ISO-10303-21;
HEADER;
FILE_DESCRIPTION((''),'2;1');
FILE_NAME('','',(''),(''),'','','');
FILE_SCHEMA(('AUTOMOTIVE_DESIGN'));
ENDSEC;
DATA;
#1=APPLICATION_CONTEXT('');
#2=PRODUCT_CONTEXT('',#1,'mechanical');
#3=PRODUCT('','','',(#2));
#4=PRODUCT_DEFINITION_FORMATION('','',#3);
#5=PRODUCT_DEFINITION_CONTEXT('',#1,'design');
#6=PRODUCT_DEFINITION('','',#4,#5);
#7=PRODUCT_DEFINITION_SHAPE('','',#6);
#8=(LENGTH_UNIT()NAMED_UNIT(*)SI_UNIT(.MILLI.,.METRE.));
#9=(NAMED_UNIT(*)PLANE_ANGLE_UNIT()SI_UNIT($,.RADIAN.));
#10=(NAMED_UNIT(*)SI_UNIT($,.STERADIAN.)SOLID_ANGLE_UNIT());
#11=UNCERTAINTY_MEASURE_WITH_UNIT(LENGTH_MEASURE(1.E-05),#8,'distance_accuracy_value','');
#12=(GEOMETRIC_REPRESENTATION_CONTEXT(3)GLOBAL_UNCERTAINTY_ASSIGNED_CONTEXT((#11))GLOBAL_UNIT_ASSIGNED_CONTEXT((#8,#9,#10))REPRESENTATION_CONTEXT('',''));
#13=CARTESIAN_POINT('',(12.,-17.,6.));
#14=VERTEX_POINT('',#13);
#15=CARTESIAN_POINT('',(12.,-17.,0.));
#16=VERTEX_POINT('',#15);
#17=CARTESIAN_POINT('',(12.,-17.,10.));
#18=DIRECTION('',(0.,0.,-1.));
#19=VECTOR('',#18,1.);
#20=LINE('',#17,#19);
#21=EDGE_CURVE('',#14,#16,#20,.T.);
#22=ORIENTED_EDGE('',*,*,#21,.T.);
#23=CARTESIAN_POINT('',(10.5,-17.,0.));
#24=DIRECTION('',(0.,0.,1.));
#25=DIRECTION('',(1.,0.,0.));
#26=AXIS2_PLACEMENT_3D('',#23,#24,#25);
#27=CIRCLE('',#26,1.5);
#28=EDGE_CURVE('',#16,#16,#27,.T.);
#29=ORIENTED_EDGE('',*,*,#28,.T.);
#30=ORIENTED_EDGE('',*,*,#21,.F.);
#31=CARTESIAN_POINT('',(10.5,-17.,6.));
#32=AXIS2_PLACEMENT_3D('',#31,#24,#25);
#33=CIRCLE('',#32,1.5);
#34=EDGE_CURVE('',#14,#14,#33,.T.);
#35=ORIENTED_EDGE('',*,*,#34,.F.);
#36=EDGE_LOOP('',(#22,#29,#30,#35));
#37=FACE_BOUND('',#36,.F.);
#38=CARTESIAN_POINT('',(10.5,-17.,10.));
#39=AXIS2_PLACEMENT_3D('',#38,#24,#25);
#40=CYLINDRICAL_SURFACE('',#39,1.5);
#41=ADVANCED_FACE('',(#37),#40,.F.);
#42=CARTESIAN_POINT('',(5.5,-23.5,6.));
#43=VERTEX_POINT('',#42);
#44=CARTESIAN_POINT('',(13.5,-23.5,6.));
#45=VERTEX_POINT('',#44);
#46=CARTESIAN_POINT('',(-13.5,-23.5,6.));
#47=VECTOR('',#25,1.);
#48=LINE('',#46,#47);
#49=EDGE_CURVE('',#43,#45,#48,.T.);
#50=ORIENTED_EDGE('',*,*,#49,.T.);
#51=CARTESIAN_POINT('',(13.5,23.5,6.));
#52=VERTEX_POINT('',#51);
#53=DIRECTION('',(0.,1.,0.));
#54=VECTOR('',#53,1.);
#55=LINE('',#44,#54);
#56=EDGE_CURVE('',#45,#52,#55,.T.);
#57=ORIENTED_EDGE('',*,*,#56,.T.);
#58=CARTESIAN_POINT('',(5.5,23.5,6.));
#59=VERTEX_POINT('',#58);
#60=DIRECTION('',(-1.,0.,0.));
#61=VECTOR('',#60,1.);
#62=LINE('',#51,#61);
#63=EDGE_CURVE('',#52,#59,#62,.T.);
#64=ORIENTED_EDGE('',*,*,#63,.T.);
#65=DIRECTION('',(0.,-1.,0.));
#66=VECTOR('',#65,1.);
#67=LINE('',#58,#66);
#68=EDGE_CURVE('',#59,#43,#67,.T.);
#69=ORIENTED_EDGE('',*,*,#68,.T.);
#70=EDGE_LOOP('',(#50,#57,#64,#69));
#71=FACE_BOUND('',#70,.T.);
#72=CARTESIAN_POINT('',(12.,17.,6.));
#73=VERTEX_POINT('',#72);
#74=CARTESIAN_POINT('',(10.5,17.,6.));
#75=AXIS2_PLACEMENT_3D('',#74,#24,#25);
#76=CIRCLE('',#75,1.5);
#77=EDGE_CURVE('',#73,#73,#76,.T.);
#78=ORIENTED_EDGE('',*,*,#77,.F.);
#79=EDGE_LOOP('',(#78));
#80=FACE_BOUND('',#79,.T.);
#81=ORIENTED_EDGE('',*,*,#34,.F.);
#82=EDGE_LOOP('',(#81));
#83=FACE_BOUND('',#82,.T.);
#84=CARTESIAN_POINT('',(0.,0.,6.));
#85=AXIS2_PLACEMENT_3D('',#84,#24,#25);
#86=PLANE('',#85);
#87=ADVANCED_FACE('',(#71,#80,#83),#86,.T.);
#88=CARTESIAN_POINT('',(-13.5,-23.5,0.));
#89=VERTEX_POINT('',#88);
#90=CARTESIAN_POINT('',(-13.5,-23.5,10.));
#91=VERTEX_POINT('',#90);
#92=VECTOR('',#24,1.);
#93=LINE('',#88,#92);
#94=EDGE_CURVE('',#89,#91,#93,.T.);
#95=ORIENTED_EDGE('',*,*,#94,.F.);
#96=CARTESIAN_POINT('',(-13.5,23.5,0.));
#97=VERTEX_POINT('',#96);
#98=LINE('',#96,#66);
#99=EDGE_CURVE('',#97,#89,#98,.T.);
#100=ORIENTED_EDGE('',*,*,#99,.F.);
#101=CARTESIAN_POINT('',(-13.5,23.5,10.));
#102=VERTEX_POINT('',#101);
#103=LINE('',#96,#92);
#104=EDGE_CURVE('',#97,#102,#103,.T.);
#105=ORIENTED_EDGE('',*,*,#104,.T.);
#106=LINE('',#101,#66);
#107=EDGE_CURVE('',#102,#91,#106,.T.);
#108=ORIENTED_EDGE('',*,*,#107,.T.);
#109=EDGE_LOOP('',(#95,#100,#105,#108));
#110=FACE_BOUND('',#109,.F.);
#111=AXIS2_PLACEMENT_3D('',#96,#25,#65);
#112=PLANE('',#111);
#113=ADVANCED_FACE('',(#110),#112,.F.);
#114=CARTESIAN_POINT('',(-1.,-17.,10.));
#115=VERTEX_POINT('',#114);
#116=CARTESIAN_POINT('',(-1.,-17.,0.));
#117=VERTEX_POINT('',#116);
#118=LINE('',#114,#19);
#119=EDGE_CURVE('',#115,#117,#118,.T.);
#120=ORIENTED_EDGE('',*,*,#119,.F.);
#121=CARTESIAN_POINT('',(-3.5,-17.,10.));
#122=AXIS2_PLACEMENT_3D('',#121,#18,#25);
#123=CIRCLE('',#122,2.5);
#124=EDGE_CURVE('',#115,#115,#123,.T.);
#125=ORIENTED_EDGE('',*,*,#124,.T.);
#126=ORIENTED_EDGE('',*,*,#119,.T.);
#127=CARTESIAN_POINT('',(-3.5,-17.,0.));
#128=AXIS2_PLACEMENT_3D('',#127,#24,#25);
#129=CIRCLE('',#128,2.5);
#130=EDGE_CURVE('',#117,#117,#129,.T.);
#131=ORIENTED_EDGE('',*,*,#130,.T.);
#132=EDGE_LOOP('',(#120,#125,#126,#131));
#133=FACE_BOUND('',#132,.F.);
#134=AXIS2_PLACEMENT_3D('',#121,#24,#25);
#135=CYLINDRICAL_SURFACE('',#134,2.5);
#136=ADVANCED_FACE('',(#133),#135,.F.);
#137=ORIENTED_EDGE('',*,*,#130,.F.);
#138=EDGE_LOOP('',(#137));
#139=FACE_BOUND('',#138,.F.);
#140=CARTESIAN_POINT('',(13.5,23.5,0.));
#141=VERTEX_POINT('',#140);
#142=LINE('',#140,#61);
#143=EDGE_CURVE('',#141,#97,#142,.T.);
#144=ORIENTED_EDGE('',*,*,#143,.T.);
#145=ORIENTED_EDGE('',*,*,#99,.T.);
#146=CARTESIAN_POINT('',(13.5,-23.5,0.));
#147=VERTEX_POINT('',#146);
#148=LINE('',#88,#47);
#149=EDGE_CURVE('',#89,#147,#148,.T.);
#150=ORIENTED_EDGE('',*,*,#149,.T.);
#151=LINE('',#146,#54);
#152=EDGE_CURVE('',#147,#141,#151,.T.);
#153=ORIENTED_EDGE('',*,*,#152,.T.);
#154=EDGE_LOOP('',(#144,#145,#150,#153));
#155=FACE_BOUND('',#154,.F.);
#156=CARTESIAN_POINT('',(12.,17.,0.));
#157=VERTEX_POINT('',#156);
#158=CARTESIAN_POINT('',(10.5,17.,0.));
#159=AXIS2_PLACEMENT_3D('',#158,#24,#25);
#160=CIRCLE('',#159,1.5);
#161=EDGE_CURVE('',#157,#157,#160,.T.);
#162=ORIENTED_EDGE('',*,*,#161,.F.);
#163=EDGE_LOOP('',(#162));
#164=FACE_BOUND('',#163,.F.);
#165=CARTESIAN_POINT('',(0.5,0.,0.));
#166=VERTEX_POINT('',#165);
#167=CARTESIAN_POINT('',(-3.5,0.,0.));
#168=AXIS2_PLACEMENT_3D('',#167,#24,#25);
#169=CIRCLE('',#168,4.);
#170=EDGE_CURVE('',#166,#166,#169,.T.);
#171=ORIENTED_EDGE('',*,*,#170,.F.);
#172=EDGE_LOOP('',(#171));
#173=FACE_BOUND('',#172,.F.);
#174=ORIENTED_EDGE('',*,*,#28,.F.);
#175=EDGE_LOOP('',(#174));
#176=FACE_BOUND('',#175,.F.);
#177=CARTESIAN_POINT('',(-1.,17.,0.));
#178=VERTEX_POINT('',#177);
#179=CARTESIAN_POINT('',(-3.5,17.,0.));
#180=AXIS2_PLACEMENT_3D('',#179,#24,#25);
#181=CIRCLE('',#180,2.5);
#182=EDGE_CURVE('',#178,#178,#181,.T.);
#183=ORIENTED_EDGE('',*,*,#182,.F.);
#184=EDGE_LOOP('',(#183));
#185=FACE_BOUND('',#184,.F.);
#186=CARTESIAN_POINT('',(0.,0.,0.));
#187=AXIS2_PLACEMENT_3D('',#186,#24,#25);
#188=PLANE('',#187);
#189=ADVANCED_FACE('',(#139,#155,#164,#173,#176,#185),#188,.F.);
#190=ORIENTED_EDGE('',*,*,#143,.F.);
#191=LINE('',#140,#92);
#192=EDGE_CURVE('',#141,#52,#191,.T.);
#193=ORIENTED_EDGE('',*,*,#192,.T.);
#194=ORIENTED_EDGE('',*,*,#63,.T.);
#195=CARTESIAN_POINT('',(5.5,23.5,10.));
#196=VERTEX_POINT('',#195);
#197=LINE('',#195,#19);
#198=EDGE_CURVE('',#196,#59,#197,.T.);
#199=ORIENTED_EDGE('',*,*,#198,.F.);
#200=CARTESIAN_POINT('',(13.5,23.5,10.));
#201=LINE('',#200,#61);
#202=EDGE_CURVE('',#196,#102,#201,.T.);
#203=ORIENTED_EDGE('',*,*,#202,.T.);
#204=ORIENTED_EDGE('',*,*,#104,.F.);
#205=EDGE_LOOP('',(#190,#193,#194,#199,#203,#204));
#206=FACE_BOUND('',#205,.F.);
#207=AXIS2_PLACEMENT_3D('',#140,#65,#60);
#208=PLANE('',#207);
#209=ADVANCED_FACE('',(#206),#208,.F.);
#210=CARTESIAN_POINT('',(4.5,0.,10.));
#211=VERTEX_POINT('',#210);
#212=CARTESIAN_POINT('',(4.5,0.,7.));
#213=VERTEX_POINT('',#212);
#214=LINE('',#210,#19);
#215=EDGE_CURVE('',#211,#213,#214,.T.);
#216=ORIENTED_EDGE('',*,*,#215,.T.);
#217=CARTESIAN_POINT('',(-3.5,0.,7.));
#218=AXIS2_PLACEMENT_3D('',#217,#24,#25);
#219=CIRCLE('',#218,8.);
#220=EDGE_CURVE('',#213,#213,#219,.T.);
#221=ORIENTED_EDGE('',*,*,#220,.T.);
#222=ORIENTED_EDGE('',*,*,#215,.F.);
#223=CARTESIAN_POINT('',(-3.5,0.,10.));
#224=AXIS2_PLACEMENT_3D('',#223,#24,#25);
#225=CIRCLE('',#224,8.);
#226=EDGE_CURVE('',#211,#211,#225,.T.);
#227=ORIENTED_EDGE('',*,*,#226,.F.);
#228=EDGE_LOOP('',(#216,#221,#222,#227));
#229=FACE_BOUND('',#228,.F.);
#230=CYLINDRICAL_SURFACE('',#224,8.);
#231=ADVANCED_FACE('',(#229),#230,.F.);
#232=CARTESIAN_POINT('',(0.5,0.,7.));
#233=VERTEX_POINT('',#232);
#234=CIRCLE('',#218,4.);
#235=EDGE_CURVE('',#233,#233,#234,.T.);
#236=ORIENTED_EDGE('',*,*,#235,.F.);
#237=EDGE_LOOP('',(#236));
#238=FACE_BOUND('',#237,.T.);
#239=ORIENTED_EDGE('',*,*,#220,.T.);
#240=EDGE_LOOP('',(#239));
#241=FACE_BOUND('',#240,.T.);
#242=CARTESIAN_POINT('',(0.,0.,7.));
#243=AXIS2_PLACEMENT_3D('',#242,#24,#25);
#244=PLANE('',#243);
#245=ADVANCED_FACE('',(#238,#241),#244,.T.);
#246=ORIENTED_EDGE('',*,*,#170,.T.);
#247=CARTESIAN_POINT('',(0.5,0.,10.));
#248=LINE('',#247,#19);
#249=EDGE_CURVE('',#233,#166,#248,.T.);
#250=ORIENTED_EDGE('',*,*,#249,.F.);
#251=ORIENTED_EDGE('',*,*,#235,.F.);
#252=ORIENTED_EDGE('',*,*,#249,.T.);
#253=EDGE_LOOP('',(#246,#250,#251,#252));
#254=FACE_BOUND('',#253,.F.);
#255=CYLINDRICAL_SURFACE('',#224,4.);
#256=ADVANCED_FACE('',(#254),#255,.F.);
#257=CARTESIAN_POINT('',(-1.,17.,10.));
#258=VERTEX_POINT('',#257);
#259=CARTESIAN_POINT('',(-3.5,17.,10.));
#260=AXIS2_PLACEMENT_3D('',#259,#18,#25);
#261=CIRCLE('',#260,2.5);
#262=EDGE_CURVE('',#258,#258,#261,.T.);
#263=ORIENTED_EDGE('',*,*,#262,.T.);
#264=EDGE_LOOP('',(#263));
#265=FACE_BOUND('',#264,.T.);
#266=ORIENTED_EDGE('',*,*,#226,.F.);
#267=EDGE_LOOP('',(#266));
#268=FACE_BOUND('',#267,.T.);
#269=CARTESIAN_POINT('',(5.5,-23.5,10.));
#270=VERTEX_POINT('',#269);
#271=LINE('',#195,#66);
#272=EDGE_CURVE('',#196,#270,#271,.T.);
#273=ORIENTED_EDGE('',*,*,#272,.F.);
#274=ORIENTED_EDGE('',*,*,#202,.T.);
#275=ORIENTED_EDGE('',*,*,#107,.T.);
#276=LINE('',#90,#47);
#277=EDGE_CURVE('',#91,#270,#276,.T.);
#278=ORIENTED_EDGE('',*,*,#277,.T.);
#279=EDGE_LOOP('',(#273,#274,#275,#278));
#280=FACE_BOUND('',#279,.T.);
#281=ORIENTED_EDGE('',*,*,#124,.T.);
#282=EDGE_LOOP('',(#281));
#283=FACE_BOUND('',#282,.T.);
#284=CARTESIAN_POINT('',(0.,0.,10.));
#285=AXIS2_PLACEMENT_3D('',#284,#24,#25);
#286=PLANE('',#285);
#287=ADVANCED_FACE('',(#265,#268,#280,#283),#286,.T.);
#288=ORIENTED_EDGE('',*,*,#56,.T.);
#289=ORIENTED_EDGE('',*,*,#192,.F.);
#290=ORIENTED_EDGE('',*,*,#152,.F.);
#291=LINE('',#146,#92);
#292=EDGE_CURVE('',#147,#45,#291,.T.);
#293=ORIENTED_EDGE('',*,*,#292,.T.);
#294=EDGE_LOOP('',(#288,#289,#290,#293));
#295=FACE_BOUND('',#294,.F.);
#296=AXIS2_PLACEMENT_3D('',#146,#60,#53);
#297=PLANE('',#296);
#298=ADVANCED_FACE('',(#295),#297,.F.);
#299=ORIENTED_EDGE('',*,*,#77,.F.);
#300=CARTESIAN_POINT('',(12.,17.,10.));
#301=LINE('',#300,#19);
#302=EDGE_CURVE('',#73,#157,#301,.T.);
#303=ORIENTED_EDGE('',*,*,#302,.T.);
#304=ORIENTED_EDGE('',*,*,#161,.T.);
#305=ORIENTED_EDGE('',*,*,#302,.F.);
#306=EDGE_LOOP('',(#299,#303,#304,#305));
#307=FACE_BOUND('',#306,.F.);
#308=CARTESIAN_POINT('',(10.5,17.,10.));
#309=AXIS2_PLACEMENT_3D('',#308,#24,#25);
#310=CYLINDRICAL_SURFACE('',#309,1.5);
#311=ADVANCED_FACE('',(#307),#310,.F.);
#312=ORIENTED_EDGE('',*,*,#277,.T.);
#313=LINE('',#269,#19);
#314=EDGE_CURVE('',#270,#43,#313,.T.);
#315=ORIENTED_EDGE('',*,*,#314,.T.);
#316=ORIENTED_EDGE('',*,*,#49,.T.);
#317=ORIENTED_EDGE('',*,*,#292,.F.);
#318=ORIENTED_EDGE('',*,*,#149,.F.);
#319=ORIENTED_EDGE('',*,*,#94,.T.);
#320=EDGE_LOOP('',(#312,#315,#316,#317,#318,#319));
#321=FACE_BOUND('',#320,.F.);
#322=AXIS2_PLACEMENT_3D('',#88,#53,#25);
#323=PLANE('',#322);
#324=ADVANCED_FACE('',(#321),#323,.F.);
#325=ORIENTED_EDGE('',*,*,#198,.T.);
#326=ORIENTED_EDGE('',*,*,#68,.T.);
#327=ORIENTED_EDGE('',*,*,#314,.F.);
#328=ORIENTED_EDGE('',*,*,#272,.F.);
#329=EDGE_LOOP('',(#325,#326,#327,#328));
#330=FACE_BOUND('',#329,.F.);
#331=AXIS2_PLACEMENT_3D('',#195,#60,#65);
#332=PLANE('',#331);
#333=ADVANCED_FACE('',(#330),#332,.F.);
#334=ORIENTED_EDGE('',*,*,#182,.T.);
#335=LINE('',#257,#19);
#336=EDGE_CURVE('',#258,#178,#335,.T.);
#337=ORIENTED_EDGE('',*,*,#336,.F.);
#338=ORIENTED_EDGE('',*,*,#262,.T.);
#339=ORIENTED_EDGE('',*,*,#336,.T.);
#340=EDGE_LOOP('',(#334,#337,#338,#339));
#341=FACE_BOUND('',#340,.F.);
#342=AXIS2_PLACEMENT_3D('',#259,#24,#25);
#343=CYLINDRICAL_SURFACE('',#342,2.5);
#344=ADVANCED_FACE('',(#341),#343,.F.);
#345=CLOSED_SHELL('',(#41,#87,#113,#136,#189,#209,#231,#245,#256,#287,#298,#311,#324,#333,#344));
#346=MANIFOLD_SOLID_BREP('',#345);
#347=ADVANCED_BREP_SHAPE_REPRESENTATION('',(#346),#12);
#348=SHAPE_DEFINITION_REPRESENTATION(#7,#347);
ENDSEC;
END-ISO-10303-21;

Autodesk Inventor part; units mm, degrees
ref_plane "YZ Plane" through (0, 0, 0) normal (1, 0, 0) x (0, 1, 0)
ref_plane "XZ Plane" through (0, 0, 0) normal (0, 1, 0) x (-1, 0, 0)
ref_plane "XY Plane" through (0, 0, 0) normal (0, 0, 1) x (1, 0, 0)
sketch "Sketch1" plane through (0, 0, 0) normal (0, 0, 1) x (1, 0, 0)
  line L0 (-13.5, -23.5) -> (13.5, -23.5)
  line L1 (13.5, -23.5) -> (13.5, 23.5)
  line L2 (13.5, 23.5) -> (-13.5, 23.5)
  line L3 (-13.5, 23.5) -> (-13.5, -23.5)
  line L4 (-13.5, -23.5) -> (13.5, 23.5) construction
  line L5 (13.5, -23.5) -> (-13.5, 23.5) construction
  point P0 (0, 0)
  dimension "d0" = 27
  dimension "d1" = 47
extrude "Extrusion1" add sketch "Sketch1" along normal blind 10
sketch "Sketch2" plane through (0, 0, 10) normal (0, 0, 1) x (1, 0, 0)
  line L0 (13.5, -23.5) -> (13.5, 23.5) projected
  line L1 (13.5, 23.5) -> (10.5, 23.5)
  line L2 (13.5, 23.5) -> (-13.5, 23.5) projected
  line L3 (10.5, 23.5) -> (10.5, 17)
  line L4 (10.5, 17) -> (10.5, -17)
  circle A0 centre (10.5, -17) radius 1.5
  circle A1 centre (10.5, 17) radius 1.5
  line L5 (13.5, 23.5) -> (10.5, 23.5)
  line L6 (13.5, 23.5) -> (-3.5, 23.5)
  line L7 (-3.5, 23.5) -> (-3.5, 17)
  circle A2 centre (-3.5, 17) radius 2.5
  line L8 (-3.5, 23.5) -> (-3.5, 0)
  circle A3 centre (-3.5, 0) radius 4
  line L9 (-3.5, 0) -> (-3.5, -15.5)
  line L10 (-3.5, -15.5) -> (-3.5, -17)
  circle A4 centre (-3.5, -17) radius 2.5
  point P0 (0, 0)
  dimension "d4" = 3
  dimension "d5" = 6.5
  dimension "d6" = 34
  dimension "d7" = 3
  dimension "d8" = 3
  dimension "d9" = 17
  dimension "d10" = 6.5
  dimension "d11" = 5
  dimension "d12" = 8
  dimension "d13" = 5
extrude "Extrusion2" cut sketch "Sketch2" against normal through all
sketch "Sketch3" plane through (0, 0, 10) normal (0, 0, 1) x (1, 0, 0)
  circle A0 centre (-3.5, 0) radius 4 projected
  circle A1 centre (-3.5, 0) radius 8
  point P0 (0, 0)
  dimension "d16" = 16
extrude "Extrusion3" cut sketch "Sketch3" against normal blind 3
sketch "Sketch4" plane through (0, 0, 10) normal (0, 0, 1) x (1, 0, 0)
  line L0 (13.5, -23.5) -> (13.5, 23.5) projected
  line L1 (-13.5, -23.5) -> (13.5, -23.5) projected
  line L2 (13.5, 23.5) -> (5.5, 23.5)
  line L3 (5.5, 23.5) -> (5.5, -23.5)
  line L4 (5.5, -23.5) -> (13.5, -23.5)
  line L5 (13.5, -23.5) -> (13.5, 23.5)
  point P0 (0, 0)
  dimension "d19" = 8
extrude "Extrusion4" cut sketch "Sketch4" against normal blind 4
thread "Thread1" size "M3x0.5" class "6H" standard "ANSI Metric M Profile" length 50
thread "Thread2" size "M3x0.5" class "6H" standard "ANSI Metric M Profile" length 50
properties part number "Szorítólap"
